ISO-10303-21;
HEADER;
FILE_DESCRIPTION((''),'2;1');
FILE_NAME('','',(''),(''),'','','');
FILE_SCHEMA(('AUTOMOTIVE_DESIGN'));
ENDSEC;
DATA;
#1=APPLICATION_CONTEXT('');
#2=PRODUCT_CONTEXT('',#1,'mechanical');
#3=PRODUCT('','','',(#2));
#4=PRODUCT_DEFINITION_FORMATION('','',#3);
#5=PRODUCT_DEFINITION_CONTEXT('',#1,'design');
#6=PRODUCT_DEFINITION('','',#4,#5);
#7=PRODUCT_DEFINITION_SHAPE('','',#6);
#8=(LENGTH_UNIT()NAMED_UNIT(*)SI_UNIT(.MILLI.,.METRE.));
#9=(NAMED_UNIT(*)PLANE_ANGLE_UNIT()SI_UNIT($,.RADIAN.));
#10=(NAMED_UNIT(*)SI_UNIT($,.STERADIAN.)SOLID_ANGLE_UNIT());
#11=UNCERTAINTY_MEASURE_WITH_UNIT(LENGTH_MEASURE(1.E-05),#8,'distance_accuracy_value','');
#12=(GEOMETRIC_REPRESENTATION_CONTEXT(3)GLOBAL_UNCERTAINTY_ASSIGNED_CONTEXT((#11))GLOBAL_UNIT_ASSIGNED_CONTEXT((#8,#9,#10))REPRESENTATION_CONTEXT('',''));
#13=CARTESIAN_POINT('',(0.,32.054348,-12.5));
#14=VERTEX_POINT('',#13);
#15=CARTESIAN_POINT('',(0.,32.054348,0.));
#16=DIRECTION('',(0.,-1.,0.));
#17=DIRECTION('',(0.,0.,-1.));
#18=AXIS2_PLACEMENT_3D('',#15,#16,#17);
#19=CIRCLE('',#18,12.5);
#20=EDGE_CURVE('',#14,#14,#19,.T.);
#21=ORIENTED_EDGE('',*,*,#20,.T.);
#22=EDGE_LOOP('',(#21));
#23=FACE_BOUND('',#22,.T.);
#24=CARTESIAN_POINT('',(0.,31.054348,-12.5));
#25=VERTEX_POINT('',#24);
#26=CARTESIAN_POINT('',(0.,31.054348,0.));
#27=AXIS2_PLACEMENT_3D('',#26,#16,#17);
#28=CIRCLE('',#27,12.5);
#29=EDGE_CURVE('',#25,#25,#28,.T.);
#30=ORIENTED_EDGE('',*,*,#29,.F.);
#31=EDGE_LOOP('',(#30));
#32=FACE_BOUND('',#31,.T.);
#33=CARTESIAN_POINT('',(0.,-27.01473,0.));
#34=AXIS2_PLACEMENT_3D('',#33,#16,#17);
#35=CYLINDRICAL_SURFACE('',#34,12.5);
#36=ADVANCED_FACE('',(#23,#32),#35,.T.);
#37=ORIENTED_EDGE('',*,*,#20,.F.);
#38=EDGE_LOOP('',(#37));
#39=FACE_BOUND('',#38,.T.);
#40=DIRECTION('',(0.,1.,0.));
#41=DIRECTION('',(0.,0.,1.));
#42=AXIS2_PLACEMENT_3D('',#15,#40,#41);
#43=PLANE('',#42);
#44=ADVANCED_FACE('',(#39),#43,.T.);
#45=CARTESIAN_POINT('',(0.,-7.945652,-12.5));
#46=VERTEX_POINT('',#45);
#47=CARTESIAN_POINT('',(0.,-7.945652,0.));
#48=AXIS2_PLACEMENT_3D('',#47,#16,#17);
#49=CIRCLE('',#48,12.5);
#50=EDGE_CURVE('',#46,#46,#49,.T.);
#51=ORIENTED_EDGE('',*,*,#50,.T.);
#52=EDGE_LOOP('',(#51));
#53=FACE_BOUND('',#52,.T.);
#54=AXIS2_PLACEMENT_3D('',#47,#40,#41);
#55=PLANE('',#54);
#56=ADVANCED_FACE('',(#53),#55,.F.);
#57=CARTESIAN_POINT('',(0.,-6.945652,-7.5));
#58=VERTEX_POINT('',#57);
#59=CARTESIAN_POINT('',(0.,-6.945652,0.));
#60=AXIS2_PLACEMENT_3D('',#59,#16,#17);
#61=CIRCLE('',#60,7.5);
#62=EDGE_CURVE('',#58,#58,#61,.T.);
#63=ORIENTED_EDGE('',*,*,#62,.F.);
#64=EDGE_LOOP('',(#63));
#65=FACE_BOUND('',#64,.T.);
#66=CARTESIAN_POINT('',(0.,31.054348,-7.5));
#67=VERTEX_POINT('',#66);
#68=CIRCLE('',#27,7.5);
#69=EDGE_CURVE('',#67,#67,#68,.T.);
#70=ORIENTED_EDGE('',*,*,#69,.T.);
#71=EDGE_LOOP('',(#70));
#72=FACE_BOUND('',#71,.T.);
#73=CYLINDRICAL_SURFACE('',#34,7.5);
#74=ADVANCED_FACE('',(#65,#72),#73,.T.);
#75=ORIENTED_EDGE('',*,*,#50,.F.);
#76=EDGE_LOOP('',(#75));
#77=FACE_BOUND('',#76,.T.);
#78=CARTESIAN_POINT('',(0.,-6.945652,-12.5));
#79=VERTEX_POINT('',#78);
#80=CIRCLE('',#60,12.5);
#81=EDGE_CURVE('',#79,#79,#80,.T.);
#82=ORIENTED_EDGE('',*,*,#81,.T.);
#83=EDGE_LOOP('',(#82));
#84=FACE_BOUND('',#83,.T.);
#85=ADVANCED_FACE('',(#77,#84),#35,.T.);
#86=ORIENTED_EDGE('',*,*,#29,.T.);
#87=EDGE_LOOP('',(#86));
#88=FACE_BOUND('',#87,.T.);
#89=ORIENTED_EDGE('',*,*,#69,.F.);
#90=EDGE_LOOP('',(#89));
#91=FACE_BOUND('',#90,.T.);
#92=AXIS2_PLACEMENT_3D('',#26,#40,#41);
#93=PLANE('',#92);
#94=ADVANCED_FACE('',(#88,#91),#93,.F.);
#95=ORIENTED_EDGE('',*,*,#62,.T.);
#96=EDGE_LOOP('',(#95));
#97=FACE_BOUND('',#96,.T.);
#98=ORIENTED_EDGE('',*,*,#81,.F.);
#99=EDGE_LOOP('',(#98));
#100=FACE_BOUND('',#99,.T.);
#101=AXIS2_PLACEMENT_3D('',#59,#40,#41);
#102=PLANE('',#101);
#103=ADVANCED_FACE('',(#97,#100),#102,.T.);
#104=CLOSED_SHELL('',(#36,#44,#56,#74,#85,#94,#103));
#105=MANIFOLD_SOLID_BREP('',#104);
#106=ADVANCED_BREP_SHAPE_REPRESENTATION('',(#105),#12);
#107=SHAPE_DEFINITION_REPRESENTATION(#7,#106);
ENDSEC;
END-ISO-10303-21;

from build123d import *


with BuildPart() as part:
    # Esquisse1 → Révolution1 (revolve)
    with BuildSketch(Plane.XY, mode=Mode.PRIVATE) as r_volution1_sk:
        Polygon((0, -7.945652174), (0, -6.945652174), (0, 12.054347826), (0, 32.054347826), (-12.5, 32.054347826), (-12.5, 31.054347826), (-7.5, 31.054347826), (-7.5, -6.945652174), (-12.5, -6.945652174), (-12.5, -7.945652174), align=None)
    revolve(r_volution1_sk.sketch.rotate(Axis((0, -27.01473029, 0), (0, 1, 0)), 270), axis=Axis((0, -27.01473029, 0), (0, 1, 0)))


solid = part.part
